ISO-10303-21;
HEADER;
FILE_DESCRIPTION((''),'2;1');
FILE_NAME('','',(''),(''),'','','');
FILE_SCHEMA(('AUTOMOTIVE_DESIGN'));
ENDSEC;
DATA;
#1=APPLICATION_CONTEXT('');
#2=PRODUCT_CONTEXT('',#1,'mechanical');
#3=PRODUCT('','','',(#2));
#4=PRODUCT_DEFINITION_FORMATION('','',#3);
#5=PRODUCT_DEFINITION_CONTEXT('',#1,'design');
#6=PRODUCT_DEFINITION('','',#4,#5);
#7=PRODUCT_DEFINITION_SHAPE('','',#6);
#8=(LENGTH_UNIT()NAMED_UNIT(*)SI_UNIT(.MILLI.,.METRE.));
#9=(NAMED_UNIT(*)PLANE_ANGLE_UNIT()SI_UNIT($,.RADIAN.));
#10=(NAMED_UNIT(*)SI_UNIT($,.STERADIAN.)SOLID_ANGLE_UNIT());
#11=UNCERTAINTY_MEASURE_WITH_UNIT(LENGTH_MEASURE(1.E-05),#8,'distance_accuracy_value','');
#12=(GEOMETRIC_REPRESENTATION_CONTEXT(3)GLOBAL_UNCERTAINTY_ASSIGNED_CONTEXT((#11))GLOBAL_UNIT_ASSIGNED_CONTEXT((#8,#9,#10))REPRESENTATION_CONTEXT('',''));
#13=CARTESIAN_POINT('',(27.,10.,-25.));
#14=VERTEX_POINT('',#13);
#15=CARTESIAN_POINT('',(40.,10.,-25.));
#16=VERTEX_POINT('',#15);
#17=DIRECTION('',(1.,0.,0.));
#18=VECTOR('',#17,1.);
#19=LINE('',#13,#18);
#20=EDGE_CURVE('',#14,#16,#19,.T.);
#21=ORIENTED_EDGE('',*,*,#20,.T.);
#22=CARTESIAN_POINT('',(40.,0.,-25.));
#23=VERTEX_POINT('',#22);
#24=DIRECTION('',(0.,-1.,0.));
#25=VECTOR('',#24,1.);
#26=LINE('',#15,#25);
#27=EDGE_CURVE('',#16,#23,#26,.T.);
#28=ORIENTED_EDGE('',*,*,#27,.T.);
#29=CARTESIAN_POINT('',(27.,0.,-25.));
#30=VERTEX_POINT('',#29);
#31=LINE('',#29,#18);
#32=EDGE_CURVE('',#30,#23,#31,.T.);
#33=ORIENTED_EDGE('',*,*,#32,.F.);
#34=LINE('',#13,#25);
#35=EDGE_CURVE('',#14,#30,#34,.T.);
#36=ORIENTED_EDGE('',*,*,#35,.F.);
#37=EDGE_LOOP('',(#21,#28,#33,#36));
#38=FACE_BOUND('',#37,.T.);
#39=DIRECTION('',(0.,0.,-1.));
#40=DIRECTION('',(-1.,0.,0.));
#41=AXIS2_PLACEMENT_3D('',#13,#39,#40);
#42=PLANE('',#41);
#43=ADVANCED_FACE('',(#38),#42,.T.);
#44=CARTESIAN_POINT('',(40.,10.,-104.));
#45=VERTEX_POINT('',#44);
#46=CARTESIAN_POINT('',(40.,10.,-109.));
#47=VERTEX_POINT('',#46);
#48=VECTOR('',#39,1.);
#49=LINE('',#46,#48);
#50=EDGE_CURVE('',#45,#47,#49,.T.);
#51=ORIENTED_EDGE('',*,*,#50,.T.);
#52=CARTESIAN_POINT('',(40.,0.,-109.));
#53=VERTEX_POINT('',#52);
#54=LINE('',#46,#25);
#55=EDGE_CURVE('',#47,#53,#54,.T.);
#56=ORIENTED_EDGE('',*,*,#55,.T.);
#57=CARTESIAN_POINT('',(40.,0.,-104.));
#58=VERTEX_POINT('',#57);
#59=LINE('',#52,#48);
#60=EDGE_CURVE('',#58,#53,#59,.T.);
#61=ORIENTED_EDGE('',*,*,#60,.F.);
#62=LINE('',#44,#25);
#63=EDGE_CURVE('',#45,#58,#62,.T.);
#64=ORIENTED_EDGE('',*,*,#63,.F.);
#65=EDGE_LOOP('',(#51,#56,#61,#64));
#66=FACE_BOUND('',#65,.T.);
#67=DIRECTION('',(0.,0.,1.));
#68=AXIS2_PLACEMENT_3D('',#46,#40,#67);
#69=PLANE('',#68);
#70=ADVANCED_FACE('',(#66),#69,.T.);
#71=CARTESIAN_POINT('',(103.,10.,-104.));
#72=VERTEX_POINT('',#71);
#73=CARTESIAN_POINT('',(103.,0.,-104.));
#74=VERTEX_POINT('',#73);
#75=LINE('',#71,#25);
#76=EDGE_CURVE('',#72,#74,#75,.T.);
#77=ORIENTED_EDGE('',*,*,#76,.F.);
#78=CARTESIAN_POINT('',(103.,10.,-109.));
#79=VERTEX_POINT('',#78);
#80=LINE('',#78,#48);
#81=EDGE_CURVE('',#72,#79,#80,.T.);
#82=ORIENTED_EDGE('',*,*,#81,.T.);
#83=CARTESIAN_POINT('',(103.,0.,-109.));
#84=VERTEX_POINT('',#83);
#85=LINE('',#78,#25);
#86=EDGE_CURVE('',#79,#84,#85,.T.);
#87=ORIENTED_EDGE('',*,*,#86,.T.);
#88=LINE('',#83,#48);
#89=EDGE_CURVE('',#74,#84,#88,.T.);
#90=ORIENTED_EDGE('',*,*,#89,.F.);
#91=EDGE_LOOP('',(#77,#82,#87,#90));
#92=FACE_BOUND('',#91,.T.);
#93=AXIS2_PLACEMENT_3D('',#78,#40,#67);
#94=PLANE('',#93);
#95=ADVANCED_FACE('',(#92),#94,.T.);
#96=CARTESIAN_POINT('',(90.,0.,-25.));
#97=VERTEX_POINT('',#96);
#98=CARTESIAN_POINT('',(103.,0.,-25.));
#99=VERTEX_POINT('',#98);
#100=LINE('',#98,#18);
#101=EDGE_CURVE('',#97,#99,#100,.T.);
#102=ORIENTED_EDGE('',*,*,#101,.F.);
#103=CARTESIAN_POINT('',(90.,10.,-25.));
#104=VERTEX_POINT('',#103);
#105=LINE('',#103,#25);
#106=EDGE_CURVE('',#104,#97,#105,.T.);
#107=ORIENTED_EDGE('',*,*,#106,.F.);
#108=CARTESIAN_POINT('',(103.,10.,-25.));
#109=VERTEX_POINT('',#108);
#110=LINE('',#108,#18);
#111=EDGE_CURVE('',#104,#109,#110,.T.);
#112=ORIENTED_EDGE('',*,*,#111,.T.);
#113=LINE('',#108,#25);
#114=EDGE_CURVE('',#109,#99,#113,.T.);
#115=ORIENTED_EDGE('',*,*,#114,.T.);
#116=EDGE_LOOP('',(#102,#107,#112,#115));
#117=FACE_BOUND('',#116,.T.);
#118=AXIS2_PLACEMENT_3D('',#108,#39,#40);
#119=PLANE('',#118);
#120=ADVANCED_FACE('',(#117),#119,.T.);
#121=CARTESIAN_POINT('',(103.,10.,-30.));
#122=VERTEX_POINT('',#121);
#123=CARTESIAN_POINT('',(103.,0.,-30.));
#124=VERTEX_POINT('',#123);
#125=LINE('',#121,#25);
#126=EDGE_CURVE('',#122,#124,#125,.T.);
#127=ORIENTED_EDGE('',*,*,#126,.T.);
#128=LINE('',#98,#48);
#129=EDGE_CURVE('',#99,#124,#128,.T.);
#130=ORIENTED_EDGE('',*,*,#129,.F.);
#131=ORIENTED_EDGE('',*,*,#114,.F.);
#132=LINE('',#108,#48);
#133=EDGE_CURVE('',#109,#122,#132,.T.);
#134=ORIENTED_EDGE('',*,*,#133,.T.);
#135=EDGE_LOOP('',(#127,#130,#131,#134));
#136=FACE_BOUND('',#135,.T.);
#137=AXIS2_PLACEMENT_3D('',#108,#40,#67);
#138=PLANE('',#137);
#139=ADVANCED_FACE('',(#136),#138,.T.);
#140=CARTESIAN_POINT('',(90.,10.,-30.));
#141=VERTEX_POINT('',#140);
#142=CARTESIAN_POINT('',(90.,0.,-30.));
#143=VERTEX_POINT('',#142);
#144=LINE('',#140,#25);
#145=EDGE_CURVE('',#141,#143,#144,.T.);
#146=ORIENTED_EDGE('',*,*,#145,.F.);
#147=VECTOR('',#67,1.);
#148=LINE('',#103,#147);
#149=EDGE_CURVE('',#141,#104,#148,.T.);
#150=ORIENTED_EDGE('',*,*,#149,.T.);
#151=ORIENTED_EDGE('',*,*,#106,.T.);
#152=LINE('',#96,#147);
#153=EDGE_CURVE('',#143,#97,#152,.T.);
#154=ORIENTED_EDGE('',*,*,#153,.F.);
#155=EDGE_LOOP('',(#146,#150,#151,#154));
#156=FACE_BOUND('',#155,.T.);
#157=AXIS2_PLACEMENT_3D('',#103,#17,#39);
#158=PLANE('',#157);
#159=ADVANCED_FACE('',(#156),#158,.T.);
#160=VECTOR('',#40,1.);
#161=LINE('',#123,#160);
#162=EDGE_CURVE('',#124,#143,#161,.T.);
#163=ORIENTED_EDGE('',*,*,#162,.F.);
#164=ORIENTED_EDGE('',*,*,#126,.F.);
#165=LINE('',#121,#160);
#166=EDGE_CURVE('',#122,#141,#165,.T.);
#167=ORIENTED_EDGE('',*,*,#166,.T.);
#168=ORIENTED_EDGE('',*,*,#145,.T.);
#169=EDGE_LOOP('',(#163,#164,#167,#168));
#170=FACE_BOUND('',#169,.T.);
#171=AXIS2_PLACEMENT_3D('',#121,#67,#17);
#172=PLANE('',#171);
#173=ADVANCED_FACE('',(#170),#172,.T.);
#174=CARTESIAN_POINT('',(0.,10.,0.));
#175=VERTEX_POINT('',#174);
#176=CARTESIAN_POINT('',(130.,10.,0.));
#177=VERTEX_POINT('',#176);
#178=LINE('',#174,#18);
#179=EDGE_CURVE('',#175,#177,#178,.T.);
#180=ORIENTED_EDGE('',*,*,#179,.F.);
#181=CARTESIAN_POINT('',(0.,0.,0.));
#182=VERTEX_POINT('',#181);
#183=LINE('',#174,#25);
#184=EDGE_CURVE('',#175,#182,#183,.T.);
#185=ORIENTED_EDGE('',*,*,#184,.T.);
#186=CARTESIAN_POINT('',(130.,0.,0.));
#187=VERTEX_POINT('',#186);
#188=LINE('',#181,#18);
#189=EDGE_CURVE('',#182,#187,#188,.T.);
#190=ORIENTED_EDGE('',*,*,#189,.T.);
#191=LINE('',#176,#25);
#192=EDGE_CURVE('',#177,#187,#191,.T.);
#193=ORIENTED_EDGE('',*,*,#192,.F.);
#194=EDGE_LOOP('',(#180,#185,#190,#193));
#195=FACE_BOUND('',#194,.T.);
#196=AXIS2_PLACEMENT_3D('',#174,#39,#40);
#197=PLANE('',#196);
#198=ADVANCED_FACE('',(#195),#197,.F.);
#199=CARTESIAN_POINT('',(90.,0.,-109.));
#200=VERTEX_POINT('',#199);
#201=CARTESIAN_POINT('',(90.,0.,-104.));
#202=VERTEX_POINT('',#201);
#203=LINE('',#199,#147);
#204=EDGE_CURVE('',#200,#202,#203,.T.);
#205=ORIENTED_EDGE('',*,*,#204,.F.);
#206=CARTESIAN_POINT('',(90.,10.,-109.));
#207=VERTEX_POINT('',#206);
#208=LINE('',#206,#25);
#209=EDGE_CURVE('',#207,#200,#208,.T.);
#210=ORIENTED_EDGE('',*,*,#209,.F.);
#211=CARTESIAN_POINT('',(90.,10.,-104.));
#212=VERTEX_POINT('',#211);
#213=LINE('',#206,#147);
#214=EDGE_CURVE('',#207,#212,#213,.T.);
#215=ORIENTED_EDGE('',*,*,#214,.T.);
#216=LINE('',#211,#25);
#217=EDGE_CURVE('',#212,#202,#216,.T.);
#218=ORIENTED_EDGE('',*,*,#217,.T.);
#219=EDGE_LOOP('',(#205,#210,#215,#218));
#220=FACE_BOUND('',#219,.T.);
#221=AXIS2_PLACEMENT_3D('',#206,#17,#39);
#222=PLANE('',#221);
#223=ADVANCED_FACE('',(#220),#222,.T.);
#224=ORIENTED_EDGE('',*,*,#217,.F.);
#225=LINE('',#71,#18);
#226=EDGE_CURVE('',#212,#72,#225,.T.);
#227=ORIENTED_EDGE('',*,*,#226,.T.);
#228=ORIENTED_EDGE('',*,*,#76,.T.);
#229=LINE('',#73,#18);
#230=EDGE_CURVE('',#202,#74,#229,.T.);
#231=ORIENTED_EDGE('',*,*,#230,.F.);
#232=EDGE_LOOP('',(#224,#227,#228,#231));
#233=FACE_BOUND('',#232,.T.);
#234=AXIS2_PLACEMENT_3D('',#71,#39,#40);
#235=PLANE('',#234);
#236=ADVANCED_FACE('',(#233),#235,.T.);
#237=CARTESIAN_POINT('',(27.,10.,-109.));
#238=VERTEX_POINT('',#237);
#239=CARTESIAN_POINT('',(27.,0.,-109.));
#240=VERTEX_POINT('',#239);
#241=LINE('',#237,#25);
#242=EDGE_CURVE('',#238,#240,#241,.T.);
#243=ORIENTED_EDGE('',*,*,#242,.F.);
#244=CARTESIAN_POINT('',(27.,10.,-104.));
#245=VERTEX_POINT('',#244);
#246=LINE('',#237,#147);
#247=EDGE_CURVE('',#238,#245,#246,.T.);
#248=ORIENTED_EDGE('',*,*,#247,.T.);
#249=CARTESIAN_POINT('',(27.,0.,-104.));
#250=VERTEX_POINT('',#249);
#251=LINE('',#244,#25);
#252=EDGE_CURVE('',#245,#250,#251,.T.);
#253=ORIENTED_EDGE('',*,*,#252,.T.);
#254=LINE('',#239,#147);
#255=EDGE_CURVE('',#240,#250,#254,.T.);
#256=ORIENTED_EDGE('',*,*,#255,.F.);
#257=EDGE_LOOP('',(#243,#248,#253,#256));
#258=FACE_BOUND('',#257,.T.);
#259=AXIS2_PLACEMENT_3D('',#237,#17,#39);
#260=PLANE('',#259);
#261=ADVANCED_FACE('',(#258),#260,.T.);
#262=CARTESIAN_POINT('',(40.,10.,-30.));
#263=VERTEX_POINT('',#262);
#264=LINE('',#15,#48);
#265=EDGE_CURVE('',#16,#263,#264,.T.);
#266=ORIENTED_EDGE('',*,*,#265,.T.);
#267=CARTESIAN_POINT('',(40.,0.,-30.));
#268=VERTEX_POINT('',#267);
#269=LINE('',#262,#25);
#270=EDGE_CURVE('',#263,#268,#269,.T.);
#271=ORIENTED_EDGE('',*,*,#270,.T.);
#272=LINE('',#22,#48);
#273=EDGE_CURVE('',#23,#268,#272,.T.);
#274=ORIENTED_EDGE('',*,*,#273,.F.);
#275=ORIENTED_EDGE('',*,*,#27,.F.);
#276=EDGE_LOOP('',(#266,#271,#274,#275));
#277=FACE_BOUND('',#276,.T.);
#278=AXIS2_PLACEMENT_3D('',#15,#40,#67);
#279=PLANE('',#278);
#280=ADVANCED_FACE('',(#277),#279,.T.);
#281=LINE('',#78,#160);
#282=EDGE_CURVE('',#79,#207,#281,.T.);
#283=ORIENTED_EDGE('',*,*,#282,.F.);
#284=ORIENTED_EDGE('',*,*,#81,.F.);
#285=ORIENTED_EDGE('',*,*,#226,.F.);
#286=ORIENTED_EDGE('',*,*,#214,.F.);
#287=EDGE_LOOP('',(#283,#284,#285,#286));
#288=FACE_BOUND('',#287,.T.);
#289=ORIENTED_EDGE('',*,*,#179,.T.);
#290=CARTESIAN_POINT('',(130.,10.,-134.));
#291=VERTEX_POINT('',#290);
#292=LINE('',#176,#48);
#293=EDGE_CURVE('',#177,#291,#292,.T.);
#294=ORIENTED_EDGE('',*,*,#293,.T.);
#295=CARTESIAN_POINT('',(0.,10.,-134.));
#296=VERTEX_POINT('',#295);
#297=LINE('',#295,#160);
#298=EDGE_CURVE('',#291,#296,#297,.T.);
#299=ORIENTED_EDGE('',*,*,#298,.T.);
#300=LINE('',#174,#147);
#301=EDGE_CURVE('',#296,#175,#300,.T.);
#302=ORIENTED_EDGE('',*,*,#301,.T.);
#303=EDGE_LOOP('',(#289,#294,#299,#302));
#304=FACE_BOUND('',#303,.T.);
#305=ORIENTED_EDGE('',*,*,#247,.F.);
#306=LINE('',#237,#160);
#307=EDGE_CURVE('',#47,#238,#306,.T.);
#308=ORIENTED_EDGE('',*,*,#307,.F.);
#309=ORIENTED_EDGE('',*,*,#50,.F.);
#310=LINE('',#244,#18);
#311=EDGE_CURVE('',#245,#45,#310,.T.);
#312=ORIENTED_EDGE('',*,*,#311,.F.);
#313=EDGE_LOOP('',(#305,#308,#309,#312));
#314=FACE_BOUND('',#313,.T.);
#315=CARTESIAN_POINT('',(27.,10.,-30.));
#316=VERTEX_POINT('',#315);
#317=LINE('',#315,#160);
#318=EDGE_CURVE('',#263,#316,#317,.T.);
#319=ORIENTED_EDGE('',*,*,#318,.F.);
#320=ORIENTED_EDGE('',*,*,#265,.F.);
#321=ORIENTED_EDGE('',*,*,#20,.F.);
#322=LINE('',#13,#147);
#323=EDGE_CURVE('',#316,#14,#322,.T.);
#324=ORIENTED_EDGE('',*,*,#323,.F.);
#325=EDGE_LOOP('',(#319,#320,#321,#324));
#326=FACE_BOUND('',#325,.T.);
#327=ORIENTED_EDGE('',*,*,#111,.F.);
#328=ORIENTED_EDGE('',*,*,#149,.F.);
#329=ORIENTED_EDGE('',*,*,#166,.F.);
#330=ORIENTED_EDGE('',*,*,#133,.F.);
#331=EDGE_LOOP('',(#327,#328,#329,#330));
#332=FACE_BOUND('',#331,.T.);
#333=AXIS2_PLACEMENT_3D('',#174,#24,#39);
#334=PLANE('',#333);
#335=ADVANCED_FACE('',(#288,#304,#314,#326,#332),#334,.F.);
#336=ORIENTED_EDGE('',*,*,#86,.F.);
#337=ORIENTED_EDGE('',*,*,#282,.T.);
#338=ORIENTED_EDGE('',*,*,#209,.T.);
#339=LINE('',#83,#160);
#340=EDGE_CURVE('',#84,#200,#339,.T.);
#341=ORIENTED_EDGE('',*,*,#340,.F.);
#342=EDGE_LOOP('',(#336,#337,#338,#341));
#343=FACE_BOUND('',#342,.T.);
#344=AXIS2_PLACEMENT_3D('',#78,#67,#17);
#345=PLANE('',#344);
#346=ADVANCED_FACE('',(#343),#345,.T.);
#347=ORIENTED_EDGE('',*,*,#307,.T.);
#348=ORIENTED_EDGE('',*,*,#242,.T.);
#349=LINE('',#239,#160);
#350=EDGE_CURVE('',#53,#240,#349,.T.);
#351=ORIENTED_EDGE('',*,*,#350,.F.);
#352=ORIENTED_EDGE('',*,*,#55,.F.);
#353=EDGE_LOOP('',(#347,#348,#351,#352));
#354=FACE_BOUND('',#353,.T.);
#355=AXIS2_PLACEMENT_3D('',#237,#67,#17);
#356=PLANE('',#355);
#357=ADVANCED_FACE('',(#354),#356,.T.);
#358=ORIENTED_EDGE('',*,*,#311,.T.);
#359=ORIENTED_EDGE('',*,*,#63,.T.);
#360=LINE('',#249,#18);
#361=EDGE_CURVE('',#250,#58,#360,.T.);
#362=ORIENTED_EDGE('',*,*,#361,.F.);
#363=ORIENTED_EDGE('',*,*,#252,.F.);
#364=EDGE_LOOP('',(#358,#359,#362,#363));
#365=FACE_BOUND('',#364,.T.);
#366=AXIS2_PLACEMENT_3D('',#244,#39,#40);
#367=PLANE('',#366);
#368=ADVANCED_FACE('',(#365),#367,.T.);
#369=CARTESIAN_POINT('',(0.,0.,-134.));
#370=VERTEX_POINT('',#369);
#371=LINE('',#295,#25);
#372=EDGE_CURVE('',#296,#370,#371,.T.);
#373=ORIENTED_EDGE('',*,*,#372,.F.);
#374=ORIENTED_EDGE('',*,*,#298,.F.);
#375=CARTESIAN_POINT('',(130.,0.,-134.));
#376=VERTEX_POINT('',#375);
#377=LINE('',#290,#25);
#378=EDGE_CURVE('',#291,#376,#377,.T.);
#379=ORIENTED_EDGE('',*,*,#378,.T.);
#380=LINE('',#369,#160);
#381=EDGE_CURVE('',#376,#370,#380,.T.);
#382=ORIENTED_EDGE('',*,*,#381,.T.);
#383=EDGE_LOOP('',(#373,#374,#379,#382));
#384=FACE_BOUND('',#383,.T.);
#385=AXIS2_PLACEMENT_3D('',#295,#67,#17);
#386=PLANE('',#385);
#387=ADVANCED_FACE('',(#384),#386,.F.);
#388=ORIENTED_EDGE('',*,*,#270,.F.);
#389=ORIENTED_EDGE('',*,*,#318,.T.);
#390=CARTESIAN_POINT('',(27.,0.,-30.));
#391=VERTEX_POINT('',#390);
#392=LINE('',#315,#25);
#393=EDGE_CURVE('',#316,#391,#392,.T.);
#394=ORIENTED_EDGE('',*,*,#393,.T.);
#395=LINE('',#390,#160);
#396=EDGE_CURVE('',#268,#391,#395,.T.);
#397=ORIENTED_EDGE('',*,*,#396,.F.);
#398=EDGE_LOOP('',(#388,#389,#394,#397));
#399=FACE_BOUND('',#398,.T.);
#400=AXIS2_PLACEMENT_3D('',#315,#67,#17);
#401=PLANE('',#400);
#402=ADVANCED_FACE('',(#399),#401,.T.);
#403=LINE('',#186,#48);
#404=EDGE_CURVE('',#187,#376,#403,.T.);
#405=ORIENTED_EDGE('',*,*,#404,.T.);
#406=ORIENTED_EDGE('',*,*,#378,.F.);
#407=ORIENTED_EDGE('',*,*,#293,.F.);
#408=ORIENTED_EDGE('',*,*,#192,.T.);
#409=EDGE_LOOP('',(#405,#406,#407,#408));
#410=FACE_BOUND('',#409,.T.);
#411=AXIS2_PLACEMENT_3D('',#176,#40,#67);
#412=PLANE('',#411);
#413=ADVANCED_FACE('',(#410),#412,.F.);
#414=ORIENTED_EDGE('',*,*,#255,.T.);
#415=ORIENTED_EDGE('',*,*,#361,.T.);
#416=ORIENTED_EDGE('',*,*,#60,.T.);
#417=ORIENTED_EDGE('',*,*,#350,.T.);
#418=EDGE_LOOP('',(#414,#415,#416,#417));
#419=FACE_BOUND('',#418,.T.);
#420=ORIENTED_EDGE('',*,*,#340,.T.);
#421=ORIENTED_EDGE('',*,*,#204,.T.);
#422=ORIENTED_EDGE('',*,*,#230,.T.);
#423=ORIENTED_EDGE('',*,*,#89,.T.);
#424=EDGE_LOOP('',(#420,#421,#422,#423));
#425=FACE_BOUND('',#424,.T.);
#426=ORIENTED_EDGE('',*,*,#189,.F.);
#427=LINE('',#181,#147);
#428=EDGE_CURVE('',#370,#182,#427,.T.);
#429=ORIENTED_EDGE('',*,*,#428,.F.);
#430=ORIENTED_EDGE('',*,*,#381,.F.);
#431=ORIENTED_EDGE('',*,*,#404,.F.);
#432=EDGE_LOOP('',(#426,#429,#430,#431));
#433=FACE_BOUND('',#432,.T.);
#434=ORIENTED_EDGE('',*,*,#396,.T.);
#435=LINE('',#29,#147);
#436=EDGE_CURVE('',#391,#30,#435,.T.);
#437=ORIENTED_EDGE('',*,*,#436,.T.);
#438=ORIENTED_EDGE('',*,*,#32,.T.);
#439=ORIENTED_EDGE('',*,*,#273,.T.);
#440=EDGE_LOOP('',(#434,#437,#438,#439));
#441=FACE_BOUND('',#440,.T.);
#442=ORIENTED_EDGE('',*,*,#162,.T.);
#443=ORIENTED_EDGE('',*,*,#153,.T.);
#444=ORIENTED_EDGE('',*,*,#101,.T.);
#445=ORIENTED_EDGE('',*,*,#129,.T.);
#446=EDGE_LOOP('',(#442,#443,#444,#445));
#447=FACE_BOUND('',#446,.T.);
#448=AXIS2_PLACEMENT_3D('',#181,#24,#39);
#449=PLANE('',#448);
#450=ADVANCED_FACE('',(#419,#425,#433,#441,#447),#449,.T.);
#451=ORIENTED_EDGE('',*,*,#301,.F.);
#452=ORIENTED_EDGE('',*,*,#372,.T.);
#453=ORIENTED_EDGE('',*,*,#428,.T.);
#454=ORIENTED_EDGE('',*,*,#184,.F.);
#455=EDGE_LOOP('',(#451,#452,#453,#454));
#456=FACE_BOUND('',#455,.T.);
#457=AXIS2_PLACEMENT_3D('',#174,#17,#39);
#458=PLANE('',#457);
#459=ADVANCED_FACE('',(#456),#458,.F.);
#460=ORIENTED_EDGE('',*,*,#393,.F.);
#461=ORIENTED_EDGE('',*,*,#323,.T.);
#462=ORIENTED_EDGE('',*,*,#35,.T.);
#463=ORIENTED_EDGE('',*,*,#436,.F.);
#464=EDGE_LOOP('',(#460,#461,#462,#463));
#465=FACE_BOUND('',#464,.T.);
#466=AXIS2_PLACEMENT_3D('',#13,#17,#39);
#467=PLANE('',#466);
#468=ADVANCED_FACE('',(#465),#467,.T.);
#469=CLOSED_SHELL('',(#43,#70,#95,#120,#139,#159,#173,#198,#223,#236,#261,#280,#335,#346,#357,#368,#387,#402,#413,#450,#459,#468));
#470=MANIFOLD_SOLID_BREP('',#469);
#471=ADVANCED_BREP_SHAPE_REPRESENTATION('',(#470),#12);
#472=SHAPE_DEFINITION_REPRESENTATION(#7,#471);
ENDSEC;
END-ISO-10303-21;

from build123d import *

# Parameters (mm, degrees)
CROQUIS1_W              = 130
CROQUIS1_H              = 134
CROQUIS1_W_2            = 13
CROQUIS1_H_2            = 5
SALIENTE_EXTRUIR1_DEPTH = 10


with BuildPart() as part:
    # Croquis1 → Saliente-Extruir1 (new body)
    with BuildSketch(Plane(origin=(0, 0, 0), x_dir=(1, 0, 0), z_dir=(0, 1, 0))):
        with Locations((65, 67)):
            Rectangle(CROQUIS1_W, CROQUIS1_H)
        with Locations((33.5, 106.5)):
            Rectangle(CROQUIS1_W_2, CROQUIS1_H_2, mode=Mode.SUBTRACT)
        with Locations((33.5, 27.5)):
            Rectangle(CROQUIS1_W_2, CROQUIS1_H_2, mode=Mode.SUBTRACT)
        with Locations((96.5, 27.5)):
            Rectangle(CROQUIS1_W_2, CROQUIS1_H_2, mode=Mode.SUBTRACT)
        with Locations((96.5, 106.5)):
            Rectangle(CROQUIS1_W_2, CROQUIS1_H_2, mode=Mode.SUBTRACT)
    extrude(amount=SALIENTE_EXTRUIR1_DEPTH)


solid = part.part
